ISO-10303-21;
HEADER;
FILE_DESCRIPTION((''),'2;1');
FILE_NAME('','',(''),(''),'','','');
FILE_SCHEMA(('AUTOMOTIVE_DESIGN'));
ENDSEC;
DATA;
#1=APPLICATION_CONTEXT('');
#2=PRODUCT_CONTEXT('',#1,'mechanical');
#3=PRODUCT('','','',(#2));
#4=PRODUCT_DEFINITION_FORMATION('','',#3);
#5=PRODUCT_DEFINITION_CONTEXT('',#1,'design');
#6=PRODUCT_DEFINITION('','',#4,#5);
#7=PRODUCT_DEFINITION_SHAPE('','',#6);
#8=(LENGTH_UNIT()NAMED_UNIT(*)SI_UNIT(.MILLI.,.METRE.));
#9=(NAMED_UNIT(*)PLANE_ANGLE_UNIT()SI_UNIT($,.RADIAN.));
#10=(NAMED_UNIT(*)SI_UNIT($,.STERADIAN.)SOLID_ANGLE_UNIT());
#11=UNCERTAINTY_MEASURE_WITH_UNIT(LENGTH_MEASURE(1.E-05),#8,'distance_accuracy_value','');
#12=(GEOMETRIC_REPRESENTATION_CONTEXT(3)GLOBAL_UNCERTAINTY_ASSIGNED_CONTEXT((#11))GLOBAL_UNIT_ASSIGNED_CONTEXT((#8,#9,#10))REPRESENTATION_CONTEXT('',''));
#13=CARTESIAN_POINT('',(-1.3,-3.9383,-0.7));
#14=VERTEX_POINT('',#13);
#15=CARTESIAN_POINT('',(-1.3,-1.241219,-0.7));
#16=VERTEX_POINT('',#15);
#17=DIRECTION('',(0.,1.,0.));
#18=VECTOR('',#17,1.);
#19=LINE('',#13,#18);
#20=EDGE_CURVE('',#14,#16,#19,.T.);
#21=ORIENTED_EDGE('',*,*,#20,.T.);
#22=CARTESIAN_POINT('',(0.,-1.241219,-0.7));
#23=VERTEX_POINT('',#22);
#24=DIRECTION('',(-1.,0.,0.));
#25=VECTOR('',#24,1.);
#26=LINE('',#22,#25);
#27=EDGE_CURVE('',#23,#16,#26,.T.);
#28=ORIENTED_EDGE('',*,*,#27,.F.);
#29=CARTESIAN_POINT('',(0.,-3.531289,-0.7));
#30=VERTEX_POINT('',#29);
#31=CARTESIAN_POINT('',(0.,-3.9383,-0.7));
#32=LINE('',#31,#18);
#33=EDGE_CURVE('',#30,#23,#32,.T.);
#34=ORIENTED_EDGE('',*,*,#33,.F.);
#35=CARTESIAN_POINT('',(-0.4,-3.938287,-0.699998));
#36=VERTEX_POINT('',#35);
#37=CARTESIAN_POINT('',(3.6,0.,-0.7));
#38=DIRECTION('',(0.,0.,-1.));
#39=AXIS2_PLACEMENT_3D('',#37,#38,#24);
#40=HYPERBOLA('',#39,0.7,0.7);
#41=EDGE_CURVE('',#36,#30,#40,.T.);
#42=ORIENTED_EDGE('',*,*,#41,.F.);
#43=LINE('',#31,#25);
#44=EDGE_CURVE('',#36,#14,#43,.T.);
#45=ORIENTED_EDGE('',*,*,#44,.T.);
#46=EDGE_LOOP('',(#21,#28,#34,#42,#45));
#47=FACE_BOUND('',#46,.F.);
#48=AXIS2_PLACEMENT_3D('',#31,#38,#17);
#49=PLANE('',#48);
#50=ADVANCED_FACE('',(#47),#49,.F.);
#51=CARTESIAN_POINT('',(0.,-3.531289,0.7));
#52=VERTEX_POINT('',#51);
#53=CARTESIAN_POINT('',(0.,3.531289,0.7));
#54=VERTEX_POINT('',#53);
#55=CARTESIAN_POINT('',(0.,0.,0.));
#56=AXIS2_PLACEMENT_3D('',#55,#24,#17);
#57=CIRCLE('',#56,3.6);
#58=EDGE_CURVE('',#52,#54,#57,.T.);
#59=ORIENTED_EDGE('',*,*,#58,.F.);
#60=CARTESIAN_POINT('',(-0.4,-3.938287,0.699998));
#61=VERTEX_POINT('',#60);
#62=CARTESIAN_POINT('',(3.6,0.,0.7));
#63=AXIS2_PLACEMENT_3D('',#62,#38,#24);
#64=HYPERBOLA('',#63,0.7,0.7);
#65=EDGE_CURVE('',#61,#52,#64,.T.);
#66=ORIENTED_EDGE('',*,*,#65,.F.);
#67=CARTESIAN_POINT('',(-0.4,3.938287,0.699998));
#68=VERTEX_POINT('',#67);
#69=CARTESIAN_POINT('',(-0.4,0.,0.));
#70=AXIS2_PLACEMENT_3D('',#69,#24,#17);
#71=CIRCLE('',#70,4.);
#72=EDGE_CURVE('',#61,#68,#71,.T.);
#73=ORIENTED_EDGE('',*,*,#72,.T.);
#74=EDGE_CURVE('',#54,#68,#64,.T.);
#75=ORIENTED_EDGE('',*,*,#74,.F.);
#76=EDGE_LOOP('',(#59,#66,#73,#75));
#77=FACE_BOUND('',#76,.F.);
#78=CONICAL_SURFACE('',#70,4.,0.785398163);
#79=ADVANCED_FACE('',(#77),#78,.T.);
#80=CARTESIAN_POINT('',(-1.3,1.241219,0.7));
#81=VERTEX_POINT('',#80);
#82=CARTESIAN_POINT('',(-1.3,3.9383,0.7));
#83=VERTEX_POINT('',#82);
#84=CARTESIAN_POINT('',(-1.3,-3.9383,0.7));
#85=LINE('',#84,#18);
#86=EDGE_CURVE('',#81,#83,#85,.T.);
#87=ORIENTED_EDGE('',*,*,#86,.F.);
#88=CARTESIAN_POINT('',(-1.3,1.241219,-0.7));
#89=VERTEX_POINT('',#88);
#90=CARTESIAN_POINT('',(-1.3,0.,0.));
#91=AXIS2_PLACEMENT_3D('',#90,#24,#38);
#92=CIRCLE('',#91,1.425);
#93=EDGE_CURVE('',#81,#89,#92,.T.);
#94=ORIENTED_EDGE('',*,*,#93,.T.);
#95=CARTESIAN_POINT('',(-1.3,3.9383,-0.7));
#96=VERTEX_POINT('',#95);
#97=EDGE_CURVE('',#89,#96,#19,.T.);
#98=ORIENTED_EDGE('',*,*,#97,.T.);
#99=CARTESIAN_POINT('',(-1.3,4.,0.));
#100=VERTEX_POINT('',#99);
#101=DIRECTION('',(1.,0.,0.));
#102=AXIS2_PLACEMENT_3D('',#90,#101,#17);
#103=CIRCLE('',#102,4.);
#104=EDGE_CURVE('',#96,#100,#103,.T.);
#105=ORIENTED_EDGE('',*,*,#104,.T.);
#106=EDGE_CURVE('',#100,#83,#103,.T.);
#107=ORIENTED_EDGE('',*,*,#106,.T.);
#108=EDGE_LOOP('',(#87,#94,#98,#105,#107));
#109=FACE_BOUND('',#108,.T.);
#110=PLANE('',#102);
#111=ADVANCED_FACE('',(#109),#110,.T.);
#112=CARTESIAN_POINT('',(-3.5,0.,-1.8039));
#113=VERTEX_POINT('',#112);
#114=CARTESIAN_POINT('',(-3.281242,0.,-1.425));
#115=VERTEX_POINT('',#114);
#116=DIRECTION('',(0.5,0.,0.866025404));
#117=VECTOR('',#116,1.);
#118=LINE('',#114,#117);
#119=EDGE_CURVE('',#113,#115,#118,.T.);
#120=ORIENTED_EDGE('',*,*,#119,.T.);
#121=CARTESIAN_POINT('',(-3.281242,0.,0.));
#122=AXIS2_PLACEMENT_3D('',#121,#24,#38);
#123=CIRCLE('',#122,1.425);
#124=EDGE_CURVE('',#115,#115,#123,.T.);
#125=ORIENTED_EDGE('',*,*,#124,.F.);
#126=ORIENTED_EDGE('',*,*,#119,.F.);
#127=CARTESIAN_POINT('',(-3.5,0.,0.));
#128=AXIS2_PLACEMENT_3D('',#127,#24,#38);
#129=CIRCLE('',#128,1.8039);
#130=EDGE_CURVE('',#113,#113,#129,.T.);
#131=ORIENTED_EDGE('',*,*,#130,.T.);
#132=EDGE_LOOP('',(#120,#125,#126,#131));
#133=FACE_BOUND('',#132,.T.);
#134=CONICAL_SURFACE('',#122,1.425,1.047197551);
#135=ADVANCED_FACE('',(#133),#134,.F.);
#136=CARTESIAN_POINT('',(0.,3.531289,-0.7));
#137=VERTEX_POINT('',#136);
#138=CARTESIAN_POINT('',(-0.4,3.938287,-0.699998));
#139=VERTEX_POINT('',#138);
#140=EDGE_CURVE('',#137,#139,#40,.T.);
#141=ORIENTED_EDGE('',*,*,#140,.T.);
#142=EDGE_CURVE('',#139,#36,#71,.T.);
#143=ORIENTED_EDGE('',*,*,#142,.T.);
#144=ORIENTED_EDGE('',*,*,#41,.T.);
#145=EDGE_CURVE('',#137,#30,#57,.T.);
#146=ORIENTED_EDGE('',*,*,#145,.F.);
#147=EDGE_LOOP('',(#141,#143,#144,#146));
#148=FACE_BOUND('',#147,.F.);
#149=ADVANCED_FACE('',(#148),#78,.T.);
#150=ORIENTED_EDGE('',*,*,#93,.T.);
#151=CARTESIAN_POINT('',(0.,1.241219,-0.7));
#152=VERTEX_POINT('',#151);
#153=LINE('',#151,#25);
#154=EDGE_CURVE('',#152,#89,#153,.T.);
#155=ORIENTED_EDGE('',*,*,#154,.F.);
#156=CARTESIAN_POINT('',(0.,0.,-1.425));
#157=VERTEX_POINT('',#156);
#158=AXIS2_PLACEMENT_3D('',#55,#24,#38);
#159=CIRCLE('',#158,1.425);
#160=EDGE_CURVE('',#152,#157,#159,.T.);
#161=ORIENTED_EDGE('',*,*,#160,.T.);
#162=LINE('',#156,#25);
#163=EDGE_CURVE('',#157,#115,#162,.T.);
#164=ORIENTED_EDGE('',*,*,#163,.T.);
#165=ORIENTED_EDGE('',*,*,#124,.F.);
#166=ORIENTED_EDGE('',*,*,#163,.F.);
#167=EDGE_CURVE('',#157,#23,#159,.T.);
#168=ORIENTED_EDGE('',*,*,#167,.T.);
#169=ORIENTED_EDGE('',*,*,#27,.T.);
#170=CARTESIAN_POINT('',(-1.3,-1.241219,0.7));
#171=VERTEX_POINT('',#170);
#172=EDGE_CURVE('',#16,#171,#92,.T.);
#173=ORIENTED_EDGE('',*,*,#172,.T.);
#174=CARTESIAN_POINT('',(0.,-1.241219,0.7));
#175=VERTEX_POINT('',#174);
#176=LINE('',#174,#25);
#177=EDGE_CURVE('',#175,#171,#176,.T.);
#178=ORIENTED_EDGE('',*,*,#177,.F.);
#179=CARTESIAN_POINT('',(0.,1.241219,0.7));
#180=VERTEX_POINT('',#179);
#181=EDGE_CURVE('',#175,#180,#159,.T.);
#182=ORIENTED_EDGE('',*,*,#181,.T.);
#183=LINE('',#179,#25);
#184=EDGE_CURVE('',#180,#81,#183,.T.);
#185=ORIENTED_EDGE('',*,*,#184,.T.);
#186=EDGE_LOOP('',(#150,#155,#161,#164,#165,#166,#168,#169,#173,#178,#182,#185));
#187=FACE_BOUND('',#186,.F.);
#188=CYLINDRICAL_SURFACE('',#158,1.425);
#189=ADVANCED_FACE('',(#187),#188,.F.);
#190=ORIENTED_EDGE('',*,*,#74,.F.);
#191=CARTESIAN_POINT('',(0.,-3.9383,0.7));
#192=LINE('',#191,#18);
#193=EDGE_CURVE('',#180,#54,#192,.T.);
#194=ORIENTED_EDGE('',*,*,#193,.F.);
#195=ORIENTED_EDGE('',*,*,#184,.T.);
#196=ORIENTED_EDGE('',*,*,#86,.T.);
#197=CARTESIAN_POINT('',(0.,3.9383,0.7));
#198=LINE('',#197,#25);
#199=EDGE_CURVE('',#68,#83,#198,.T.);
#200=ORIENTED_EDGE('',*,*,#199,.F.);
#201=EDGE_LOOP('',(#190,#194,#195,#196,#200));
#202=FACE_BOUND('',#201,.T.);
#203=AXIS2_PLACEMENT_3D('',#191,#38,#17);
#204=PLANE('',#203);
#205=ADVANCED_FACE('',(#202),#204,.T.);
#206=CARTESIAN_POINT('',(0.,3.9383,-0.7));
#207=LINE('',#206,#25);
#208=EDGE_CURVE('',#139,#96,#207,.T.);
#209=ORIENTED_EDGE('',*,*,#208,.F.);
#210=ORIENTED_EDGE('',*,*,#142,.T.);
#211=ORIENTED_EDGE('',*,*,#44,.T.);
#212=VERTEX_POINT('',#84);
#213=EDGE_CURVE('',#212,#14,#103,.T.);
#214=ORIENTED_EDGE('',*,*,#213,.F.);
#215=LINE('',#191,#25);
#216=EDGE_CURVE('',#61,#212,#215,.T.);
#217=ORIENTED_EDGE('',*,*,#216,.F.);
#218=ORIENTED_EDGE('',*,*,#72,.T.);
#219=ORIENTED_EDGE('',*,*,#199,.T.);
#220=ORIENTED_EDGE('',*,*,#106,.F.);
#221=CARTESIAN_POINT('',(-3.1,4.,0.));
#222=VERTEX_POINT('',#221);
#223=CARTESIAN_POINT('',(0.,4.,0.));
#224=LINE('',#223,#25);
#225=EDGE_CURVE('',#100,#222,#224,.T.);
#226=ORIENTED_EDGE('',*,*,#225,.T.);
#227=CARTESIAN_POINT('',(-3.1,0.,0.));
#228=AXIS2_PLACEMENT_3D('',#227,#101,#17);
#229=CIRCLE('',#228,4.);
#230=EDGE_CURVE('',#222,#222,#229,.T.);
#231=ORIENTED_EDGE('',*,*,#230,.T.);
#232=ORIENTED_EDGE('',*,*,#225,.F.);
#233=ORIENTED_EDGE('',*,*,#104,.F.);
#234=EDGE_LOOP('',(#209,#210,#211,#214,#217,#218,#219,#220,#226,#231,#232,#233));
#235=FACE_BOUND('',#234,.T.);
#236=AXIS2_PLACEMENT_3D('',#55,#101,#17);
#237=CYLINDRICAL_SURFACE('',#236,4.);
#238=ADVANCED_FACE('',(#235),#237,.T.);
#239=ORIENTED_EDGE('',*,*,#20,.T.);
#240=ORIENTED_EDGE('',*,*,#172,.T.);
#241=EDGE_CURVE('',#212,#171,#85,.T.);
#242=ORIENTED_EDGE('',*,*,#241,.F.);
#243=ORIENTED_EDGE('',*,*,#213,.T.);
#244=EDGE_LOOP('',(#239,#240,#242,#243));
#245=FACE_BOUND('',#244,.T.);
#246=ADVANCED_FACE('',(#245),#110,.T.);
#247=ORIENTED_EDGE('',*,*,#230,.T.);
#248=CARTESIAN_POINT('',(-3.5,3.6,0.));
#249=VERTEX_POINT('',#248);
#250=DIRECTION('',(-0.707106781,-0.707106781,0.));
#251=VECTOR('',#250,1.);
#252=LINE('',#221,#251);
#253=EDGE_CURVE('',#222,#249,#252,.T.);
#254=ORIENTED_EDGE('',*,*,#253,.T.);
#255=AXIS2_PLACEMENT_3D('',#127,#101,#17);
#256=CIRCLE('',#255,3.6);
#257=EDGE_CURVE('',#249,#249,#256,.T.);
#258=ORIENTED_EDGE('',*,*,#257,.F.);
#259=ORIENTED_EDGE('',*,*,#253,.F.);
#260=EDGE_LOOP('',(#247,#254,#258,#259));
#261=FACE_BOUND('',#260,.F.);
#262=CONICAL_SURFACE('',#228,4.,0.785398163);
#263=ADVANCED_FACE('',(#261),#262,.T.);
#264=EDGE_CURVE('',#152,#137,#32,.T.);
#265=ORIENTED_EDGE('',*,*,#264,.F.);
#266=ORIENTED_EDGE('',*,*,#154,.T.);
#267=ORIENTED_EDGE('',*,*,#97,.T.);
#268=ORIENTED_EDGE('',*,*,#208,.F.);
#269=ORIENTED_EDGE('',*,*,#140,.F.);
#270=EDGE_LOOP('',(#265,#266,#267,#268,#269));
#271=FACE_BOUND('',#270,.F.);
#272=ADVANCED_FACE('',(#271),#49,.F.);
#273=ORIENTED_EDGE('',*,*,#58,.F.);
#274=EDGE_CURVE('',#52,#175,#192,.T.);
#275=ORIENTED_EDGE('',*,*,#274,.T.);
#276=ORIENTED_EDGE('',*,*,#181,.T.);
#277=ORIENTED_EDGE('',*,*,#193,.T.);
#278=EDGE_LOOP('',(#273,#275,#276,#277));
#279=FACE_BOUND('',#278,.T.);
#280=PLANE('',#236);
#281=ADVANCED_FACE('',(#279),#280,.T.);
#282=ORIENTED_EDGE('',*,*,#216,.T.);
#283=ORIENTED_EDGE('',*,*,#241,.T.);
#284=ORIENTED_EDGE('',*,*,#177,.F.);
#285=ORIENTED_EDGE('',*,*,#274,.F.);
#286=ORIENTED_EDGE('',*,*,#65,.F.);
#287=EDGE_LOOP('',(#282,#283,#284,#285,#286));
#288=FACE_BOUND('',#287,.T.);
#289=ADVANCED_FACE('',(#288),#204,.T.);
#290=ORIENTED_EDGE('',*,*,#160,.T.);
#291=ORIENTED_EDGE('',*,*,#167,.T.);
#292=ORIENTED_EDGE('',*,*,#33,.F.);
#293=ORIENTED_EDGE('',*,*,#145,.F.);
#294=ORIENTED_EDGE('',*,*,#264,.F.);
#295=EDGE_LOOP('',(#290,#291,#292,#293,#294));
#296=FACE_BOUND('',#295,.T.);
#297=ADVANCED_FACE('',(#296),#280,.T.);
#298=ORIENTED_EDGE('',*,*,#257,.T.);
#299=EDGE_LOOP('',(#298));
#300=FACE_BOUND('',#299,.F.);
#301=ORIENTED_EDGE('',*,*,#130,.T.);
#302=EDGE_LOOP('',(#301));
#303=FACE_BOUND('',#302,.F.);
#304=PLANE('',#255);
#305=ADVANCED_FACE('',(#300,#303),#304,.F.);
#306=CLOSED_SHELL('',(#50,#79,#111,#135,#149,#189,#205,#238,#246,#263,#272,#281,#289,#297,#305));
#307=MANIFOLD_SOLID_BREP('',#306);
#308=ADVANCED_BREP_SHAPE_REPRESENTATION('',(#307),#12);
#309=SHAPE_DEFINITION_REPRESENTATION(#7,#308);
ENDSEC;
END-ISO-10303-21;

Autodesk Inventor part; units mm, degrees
ref_plane "YZ Plane" through (0, 0, 0) normal (1, 0, 0) x (0, 1, 0)
ref_plane "XZ Plane" through (0, 0, 0) normal (0, 1, 0) x (-1, 0, 0)
sketch "Эскиз1" plane through (0, 0, 0) normal (1, 0, 0) x (0, 1, 0)
  circle A0 centre (0, 0) radius 4
  line L0 (0, 0) -> (4, 0) construction
  line L1 (-3.9383, 0.7) -> (3.9383, 0.7)
  line L2 (-3.9383, -0.7) -> (3.9383, -0.7)
  dimension "d0" = 8
  dimension "d3" = 1.4
extrude "Базовый элемент" add sketch "Эскиз1" against normal blind 3.5
chamfer "Фаска1" distance 0.4 angle 45 1 edges at (-3.5, 3.9383, 0.7) measured on face at (-3.5, -0.0835, 1.1778)
chamfer "Фаска2" distance 0.4 angle 45 1 edges at (0, 3.9383, 0.7) measured on face at (0, 0.1896, 0.4332)
extrude "Паз" cut sketch "Эскиз1" against normal blind 1.3 contours A0 L2 L1
hole "Резьба" at (0, 0, 0) direction (-1, 0, 0) diameter 2.85 end through all thread size "M3.5x0.6" class "6H" standard "ISO Metric profile"
chamfer "Фаска3" distance 0.3789 angle 30 1 edges at (-3.5, 0, 1.425) measured on face at (-3.5, -2.8504, -0.1884)
ref_plane "Work Plane1" through (-11.8427, 0, 0) normal (0, 0, -1) x (1, 0, 0)
equation "\"d0\" = SD2"
equation "\"d3\" = SBR"
equation "\"d1\" = KOH"
equation "\"d8\" = PHH"
equation "\"d9\" = FAWI"
equation "\"d55\" = PHH"
equation "\"d10\" = PHH"
equation "\"d11\" = FAWI"
equation "\"d56\" = PHH"
equation "\"d4\" = STI"
equation "\"d6\" = -0.5 * GD1 + 0.5 * NND"
equation "\"d57\" = -0.5 * GD1 + 0.5 * NND"
equation "\"FAWI\" = 45deg"
equation "\"NND\" = 4"
equation "\"KOH\" = 3.5"
equation "\"SD2\" = 8"
equation "\"PHH\" = 0.4"
equation "\"SBR\" = 1.4"
equation "\"STI\" = 1.3"
equation "\"GUL\" = 0.541266 * PTC"
equation "\"THREADDIA\" = 4"
equation "\"TOA\" = 30deg"
equation "\"PTC\" = 0.7"
equation "\"GAL\" = 0.541266 * PTC"
equation "\"GD1\" = 3.242228"
properties part number "Гайка M4-6H ГОСТ 10657-80" material "Сталь, мягкая"
